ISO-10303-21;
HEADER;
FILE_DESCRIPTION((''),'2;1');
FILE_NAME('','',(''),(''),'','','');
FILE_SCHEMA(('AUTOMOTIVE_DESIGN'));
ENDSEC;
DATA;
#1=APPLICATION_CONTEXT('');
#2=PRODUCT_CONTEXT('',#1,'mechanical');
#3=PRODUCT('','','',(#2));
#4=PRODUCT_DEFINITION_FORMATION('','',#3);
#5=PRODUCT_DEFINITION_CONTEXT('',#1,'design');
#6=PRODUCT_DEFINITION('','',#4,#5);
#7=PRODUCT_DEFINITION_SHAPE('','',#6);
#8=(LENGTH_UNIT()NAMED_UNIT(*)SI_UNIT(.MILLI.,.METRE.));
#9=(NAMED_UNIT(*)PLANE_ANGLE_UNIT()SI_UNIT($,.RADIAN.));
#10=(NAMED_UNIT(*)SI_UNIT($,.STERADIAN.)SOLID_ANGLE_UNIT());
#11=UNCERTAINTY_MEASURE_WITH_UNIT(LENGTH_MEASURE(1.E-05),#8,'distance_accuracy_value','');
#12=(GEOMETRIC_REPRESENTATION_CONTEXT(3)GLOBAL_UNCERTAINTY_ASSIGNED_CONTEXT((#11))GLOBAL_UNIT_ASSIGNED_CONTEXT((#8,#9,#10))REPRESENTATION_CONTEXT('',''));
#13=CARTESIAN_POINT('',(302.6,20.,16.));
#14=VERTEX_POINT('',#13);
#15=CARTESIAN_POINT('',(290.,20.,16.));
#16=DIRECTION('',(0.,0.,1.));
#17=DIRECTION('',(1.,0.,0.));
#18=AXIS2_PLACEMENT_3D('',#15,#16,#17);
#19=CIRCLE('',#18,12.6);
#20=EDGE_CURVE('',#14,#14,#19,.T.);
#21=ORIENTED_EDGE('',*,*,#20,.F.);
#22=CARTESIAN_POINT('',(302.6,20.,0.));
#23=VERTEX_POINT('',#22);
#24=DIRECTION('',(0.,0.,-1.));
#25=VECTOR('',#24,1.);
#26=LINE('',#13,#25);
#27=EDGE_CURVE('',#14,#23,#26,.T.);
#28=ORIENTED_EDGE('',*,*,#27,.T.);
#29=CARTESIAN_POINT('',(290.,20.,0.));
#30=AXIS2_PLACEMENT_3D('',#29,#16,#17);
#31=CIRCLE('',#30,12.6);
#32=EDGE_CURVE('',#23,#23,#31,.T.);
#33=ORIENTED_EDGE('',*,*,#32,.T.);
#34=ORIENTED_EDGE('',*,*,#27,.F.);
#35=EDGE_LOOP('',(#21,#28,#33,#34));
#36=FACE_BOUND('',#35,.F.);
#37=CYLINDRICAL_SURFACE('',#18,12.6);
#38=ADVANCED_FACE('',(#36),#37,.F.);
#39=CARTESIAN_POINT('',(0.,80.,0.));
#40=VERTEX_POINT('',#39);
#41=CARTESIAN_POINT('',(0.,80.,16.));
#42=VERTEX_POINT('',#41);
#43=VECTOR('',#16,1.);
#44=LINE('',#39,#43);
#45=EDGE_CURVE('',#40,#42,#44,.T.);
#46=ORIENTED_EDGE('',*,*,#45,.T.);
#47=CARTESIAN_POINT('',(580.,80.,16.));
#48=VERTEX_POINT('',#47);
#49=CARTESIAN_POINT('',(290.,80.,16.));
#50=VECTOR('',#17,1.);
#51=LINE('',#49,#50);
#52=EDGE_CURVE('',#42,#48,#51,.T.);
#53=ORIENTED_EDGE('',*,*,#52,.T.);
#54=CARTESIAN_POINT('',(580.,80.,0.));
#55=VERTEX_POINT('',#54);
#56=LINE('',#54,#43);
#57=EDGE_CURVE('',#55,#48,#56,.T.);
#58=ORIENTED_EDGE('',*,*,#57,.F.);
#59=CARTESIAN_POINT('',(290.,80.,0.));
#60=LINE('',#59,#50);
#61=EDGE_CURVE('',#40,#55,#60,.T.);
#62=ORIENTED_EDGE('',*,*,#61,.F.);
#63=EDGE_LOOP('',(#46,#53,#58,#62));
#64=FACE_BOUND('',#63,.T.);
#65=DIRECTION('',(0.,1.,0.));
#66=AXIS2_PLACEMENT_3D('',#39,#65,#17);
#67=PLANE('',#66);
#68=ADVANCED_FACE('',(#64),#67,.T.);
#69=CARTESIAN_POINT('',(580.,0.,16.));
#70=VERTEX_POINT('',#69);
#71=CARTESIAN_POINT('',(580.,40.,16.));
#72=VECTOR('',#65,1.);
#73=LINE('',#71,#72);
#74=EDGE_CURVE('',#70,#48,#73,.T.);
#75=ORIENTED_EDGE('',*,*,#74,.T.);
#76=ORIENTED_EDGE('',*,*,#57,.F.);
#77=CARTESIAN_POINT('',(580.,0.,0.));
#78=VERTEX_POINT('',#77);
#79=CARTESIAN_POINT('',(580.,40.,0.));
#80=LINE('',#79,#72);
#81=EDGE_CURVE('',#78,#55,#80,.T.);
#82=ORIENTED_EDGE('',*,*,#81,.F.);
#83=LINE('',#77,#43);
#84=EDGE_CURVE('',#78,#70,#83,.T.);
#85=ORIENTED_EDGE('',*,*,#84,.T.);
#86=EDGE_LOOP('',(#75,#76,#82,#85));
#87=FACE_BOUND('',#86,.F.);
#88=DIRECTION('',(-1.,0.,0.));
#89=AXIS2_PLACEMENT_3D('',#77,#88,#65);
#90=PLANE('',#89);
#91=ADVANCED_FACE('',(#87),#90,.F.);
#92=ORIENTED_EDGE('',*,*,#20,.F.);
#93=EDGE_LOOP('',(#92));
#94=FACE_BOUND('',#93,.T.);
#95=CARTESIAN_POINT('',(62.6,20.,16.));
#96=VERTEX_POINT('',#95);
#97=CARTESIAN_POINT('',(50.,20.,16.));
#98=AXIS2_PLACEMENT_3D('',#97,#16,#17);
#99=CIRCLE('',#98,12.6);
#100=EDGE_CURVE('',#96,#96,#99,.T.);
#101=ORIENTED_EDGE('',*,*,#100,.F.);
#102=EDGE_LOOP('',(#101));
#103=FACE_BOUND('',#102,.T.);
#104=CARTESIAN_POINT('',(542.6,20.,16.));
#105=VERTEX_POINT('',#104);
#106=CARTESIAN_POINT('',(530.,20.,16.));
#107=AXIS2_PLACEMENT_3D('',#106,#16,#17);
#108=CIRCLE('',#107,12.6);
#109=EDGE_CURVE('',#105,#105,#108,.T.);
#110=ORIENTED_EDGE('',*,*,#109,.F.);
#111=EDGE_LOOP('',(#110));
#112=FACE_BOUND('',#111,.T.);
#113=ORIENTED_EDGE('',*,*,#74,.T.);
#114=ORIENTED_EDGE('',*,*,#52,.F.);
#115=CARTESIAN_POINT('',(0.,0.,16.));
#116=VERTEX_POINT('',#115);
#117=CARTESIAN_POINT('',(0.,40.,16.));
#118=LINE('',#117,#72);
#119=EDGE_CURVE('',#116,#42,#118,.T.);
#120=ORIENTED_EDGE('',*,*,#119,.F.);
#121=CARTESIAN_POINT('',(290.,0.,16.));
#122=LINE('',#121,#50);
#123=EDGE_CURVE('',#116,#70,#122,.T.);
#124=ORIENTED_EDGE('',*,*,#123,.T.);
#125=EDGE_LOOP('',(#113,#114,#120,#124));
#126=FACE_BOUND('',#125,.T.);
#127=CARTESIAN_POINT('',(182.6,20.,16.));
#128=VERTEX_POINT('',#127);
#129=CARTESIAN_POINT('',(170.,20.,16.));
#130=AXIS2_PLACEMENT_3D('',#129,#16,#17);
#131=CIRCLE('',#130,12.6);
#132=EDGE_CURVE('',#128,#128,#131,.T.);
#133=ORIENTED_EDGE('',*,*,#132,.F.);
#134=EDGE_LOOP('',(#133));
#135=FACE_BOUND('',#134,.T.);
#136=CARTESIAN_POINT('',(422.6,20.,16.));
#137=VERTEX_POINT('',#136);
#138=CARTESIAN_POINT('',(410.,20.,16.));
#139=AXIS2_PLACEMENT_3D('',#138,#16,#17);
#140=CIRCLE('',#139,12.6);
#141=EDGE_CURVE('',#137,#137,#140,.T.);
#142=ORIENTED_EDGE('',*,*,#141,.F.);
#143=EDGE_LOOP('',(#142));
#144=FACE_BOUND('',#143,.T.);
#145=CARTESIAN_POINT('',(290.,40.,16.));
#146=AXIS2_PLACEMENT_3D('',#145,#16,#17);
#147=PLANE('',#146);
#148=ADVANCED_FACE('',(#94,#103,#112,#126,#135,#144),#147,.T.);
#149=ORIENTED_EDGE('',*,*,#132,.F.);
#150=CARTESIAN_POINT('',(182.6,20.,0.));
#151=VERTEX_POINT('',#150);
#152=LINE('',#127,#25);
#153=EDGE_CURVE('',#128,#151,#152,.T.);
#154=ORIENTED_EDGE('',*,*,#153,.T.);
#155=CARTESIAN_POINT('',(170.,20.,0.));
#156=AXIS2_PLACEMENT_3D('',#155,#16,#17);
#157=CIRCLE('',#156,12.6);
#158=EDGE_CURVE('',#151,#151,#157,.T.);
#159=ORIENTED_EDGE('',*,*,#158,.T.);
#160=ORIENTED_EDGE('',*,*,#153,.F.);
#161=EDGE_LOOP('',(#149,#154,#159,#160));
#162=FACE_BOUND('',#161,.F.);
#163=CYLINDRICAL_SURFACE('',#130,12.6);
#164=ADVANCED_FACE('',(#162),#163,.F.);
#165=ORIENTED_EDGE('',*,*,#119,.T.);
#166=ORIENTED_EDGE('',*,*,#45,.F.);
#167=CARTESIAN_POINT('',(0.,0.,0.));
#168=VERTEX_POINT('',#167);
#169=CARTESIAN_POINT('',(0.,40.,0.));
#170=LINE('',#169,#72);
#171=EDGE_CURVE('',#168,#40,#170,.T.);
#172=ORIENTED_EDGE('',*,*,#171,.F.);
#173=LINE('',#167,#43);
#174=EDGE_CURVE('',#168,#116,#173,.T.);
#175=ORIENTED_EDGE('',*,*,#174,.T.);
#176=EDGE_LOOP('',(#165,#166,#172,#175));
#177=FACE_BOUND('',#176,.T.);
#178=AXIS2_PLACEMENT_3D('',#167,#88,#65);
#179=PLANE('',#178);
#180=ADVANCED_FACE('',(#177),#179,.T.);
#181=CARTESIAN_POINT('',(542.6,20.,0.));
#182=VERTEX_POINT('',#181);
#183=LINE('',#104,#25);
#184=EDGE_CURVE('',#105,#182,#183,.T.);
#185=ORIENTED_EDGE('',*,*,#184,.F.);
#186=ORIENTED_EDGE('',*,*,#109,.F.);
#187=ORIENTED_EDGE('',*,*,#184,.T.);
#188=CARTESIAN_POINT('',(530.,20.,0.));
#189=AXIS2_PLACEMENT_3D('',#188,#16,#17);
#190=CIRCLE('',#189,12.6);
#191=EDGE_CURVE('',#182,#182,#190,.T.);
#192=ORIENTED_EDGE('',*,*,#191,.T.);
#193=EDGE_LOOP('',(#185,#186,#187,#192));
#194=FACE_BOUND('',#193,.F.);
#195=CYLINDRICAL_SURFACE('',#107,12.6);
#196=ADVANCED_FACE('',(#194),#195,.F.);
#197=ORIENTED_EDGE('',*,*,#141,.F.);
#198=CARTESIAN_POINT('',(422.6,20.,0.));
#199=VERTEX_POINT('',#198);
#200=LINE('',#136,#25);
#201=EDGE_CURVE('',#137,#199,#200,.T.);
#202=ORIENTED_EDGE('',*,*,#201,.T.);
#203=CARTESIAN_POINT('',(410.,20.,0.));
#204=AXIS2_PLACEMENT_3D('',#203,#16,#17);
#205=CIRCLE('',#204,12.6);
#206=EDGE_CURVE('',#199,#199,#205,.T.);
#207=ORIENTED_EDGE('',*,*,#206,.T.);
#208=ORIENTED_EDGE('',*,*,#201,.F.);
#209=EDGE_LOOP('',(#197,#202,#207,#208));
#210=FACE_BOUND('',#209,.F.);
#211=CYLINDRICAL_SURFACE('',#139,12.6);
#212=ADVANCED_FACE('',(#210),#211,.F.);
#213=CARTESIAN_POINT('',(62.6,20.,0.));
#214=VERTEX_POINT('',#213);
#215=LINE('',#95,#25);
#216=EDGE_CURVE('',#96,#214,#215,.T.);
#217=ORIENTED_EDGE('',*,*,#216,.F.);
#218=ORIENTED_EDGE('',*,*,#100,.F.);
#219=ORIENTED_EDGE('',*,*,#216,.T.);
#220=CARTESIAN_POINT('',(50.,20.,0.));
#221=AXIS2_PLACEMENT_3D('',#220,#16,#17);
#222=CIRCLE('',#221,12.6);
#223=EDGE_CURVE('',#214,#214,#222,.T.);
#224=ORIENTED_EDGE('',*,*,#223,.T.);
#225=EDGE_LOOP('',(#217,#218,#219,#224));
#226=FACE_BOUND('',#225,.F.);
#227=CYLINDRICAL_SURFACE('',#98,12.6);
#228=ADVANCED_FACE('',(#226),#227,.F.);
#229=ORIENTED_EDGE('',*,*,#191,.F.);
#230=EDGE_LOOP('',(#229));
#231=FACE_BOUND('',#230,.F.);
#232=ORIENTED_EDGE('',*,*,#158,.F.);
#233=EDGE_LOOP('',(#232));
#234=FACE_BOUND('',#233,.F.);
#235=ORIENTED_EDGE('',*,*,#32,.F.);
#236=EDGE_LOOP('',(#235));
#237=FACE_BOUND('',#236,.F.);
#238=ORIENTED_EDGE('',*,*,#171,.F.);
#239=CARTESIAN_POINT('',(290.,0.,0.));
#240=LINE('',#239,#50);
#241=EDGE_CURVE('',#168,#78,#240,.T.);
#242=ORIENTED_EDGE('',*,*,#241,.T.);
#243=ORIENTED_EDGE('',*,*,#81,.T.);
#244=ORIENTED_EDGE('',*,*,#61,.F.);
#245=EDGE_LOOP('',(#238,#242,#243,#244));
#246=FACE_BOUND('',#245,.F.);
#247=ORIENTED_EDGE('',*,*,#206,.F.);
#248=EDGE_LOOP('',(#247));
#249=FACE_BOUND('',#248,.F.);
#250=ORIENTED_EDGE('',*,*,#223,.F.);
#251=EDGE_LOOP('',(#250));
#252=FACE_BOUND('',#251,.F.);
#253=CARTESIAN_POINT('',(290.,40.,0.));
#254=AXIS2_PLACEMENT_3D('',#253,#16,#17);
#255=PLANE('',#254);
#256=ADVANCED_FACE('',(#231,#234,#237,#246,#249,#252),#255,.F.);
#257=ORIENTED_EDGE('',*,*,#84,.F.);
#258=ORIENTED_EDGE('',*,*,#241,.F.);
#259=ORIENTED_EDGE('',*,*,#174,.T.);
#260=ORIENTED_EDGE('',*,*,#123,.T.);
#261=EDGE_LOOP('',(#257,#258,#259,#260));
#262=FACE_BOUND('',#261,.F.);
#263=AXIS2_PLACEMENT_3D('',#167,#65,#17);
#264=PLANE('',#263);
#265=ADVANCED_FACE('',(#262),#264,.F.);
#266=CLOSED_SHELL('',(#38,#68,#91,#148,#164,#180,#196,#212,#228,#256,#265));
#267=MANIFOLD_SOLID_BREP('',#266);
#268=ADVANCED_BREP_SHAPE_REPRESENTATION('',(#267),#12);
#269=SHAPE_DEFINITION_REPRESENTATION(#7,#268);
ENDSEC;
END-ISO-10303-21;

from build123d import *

# Parameters (mm, degrees)
SKETCH1_W           = 580
SKETCH1_H           = 80
BOSS_EXTRUDE1_DEPTH = 16
SKETCH2_R           = 12.6
CUT_EXTRUDE1_DEPTH  = 16


with BuildPart() as part:
    # Sketch1 → Boss-Extrude1 (new body)
    with BuildSketch(Plane.XY):
        with Locations((290, 40)):
            Rectangle(SKETCH1_W, SKETCH1_H)
    extrude(amount=BOSS_EXTRUDE1_DEPTH)

    # Sketch2 → Cut-Extrude1 (cut)
    with BuildSketch(Plane.XY.offset(16)):
        with Locations((50, 20)):
            Circle(SKETCH2_R)
        with Locations((170, 20)):
            Circle(SKETCH2_R)
        with Locations((290, 20)):
            Circle(SKETCH2_R)
        with Locations((410, 20)):
            Circle(SKETCH2_R)
        with Locations((530, 20)):
            Circle(SKETCH2_R)
    extrude(amount=-CUT_EXTRUDE1_DEPTH, mode=Mode.SUBTRACT)


solid = part.part
